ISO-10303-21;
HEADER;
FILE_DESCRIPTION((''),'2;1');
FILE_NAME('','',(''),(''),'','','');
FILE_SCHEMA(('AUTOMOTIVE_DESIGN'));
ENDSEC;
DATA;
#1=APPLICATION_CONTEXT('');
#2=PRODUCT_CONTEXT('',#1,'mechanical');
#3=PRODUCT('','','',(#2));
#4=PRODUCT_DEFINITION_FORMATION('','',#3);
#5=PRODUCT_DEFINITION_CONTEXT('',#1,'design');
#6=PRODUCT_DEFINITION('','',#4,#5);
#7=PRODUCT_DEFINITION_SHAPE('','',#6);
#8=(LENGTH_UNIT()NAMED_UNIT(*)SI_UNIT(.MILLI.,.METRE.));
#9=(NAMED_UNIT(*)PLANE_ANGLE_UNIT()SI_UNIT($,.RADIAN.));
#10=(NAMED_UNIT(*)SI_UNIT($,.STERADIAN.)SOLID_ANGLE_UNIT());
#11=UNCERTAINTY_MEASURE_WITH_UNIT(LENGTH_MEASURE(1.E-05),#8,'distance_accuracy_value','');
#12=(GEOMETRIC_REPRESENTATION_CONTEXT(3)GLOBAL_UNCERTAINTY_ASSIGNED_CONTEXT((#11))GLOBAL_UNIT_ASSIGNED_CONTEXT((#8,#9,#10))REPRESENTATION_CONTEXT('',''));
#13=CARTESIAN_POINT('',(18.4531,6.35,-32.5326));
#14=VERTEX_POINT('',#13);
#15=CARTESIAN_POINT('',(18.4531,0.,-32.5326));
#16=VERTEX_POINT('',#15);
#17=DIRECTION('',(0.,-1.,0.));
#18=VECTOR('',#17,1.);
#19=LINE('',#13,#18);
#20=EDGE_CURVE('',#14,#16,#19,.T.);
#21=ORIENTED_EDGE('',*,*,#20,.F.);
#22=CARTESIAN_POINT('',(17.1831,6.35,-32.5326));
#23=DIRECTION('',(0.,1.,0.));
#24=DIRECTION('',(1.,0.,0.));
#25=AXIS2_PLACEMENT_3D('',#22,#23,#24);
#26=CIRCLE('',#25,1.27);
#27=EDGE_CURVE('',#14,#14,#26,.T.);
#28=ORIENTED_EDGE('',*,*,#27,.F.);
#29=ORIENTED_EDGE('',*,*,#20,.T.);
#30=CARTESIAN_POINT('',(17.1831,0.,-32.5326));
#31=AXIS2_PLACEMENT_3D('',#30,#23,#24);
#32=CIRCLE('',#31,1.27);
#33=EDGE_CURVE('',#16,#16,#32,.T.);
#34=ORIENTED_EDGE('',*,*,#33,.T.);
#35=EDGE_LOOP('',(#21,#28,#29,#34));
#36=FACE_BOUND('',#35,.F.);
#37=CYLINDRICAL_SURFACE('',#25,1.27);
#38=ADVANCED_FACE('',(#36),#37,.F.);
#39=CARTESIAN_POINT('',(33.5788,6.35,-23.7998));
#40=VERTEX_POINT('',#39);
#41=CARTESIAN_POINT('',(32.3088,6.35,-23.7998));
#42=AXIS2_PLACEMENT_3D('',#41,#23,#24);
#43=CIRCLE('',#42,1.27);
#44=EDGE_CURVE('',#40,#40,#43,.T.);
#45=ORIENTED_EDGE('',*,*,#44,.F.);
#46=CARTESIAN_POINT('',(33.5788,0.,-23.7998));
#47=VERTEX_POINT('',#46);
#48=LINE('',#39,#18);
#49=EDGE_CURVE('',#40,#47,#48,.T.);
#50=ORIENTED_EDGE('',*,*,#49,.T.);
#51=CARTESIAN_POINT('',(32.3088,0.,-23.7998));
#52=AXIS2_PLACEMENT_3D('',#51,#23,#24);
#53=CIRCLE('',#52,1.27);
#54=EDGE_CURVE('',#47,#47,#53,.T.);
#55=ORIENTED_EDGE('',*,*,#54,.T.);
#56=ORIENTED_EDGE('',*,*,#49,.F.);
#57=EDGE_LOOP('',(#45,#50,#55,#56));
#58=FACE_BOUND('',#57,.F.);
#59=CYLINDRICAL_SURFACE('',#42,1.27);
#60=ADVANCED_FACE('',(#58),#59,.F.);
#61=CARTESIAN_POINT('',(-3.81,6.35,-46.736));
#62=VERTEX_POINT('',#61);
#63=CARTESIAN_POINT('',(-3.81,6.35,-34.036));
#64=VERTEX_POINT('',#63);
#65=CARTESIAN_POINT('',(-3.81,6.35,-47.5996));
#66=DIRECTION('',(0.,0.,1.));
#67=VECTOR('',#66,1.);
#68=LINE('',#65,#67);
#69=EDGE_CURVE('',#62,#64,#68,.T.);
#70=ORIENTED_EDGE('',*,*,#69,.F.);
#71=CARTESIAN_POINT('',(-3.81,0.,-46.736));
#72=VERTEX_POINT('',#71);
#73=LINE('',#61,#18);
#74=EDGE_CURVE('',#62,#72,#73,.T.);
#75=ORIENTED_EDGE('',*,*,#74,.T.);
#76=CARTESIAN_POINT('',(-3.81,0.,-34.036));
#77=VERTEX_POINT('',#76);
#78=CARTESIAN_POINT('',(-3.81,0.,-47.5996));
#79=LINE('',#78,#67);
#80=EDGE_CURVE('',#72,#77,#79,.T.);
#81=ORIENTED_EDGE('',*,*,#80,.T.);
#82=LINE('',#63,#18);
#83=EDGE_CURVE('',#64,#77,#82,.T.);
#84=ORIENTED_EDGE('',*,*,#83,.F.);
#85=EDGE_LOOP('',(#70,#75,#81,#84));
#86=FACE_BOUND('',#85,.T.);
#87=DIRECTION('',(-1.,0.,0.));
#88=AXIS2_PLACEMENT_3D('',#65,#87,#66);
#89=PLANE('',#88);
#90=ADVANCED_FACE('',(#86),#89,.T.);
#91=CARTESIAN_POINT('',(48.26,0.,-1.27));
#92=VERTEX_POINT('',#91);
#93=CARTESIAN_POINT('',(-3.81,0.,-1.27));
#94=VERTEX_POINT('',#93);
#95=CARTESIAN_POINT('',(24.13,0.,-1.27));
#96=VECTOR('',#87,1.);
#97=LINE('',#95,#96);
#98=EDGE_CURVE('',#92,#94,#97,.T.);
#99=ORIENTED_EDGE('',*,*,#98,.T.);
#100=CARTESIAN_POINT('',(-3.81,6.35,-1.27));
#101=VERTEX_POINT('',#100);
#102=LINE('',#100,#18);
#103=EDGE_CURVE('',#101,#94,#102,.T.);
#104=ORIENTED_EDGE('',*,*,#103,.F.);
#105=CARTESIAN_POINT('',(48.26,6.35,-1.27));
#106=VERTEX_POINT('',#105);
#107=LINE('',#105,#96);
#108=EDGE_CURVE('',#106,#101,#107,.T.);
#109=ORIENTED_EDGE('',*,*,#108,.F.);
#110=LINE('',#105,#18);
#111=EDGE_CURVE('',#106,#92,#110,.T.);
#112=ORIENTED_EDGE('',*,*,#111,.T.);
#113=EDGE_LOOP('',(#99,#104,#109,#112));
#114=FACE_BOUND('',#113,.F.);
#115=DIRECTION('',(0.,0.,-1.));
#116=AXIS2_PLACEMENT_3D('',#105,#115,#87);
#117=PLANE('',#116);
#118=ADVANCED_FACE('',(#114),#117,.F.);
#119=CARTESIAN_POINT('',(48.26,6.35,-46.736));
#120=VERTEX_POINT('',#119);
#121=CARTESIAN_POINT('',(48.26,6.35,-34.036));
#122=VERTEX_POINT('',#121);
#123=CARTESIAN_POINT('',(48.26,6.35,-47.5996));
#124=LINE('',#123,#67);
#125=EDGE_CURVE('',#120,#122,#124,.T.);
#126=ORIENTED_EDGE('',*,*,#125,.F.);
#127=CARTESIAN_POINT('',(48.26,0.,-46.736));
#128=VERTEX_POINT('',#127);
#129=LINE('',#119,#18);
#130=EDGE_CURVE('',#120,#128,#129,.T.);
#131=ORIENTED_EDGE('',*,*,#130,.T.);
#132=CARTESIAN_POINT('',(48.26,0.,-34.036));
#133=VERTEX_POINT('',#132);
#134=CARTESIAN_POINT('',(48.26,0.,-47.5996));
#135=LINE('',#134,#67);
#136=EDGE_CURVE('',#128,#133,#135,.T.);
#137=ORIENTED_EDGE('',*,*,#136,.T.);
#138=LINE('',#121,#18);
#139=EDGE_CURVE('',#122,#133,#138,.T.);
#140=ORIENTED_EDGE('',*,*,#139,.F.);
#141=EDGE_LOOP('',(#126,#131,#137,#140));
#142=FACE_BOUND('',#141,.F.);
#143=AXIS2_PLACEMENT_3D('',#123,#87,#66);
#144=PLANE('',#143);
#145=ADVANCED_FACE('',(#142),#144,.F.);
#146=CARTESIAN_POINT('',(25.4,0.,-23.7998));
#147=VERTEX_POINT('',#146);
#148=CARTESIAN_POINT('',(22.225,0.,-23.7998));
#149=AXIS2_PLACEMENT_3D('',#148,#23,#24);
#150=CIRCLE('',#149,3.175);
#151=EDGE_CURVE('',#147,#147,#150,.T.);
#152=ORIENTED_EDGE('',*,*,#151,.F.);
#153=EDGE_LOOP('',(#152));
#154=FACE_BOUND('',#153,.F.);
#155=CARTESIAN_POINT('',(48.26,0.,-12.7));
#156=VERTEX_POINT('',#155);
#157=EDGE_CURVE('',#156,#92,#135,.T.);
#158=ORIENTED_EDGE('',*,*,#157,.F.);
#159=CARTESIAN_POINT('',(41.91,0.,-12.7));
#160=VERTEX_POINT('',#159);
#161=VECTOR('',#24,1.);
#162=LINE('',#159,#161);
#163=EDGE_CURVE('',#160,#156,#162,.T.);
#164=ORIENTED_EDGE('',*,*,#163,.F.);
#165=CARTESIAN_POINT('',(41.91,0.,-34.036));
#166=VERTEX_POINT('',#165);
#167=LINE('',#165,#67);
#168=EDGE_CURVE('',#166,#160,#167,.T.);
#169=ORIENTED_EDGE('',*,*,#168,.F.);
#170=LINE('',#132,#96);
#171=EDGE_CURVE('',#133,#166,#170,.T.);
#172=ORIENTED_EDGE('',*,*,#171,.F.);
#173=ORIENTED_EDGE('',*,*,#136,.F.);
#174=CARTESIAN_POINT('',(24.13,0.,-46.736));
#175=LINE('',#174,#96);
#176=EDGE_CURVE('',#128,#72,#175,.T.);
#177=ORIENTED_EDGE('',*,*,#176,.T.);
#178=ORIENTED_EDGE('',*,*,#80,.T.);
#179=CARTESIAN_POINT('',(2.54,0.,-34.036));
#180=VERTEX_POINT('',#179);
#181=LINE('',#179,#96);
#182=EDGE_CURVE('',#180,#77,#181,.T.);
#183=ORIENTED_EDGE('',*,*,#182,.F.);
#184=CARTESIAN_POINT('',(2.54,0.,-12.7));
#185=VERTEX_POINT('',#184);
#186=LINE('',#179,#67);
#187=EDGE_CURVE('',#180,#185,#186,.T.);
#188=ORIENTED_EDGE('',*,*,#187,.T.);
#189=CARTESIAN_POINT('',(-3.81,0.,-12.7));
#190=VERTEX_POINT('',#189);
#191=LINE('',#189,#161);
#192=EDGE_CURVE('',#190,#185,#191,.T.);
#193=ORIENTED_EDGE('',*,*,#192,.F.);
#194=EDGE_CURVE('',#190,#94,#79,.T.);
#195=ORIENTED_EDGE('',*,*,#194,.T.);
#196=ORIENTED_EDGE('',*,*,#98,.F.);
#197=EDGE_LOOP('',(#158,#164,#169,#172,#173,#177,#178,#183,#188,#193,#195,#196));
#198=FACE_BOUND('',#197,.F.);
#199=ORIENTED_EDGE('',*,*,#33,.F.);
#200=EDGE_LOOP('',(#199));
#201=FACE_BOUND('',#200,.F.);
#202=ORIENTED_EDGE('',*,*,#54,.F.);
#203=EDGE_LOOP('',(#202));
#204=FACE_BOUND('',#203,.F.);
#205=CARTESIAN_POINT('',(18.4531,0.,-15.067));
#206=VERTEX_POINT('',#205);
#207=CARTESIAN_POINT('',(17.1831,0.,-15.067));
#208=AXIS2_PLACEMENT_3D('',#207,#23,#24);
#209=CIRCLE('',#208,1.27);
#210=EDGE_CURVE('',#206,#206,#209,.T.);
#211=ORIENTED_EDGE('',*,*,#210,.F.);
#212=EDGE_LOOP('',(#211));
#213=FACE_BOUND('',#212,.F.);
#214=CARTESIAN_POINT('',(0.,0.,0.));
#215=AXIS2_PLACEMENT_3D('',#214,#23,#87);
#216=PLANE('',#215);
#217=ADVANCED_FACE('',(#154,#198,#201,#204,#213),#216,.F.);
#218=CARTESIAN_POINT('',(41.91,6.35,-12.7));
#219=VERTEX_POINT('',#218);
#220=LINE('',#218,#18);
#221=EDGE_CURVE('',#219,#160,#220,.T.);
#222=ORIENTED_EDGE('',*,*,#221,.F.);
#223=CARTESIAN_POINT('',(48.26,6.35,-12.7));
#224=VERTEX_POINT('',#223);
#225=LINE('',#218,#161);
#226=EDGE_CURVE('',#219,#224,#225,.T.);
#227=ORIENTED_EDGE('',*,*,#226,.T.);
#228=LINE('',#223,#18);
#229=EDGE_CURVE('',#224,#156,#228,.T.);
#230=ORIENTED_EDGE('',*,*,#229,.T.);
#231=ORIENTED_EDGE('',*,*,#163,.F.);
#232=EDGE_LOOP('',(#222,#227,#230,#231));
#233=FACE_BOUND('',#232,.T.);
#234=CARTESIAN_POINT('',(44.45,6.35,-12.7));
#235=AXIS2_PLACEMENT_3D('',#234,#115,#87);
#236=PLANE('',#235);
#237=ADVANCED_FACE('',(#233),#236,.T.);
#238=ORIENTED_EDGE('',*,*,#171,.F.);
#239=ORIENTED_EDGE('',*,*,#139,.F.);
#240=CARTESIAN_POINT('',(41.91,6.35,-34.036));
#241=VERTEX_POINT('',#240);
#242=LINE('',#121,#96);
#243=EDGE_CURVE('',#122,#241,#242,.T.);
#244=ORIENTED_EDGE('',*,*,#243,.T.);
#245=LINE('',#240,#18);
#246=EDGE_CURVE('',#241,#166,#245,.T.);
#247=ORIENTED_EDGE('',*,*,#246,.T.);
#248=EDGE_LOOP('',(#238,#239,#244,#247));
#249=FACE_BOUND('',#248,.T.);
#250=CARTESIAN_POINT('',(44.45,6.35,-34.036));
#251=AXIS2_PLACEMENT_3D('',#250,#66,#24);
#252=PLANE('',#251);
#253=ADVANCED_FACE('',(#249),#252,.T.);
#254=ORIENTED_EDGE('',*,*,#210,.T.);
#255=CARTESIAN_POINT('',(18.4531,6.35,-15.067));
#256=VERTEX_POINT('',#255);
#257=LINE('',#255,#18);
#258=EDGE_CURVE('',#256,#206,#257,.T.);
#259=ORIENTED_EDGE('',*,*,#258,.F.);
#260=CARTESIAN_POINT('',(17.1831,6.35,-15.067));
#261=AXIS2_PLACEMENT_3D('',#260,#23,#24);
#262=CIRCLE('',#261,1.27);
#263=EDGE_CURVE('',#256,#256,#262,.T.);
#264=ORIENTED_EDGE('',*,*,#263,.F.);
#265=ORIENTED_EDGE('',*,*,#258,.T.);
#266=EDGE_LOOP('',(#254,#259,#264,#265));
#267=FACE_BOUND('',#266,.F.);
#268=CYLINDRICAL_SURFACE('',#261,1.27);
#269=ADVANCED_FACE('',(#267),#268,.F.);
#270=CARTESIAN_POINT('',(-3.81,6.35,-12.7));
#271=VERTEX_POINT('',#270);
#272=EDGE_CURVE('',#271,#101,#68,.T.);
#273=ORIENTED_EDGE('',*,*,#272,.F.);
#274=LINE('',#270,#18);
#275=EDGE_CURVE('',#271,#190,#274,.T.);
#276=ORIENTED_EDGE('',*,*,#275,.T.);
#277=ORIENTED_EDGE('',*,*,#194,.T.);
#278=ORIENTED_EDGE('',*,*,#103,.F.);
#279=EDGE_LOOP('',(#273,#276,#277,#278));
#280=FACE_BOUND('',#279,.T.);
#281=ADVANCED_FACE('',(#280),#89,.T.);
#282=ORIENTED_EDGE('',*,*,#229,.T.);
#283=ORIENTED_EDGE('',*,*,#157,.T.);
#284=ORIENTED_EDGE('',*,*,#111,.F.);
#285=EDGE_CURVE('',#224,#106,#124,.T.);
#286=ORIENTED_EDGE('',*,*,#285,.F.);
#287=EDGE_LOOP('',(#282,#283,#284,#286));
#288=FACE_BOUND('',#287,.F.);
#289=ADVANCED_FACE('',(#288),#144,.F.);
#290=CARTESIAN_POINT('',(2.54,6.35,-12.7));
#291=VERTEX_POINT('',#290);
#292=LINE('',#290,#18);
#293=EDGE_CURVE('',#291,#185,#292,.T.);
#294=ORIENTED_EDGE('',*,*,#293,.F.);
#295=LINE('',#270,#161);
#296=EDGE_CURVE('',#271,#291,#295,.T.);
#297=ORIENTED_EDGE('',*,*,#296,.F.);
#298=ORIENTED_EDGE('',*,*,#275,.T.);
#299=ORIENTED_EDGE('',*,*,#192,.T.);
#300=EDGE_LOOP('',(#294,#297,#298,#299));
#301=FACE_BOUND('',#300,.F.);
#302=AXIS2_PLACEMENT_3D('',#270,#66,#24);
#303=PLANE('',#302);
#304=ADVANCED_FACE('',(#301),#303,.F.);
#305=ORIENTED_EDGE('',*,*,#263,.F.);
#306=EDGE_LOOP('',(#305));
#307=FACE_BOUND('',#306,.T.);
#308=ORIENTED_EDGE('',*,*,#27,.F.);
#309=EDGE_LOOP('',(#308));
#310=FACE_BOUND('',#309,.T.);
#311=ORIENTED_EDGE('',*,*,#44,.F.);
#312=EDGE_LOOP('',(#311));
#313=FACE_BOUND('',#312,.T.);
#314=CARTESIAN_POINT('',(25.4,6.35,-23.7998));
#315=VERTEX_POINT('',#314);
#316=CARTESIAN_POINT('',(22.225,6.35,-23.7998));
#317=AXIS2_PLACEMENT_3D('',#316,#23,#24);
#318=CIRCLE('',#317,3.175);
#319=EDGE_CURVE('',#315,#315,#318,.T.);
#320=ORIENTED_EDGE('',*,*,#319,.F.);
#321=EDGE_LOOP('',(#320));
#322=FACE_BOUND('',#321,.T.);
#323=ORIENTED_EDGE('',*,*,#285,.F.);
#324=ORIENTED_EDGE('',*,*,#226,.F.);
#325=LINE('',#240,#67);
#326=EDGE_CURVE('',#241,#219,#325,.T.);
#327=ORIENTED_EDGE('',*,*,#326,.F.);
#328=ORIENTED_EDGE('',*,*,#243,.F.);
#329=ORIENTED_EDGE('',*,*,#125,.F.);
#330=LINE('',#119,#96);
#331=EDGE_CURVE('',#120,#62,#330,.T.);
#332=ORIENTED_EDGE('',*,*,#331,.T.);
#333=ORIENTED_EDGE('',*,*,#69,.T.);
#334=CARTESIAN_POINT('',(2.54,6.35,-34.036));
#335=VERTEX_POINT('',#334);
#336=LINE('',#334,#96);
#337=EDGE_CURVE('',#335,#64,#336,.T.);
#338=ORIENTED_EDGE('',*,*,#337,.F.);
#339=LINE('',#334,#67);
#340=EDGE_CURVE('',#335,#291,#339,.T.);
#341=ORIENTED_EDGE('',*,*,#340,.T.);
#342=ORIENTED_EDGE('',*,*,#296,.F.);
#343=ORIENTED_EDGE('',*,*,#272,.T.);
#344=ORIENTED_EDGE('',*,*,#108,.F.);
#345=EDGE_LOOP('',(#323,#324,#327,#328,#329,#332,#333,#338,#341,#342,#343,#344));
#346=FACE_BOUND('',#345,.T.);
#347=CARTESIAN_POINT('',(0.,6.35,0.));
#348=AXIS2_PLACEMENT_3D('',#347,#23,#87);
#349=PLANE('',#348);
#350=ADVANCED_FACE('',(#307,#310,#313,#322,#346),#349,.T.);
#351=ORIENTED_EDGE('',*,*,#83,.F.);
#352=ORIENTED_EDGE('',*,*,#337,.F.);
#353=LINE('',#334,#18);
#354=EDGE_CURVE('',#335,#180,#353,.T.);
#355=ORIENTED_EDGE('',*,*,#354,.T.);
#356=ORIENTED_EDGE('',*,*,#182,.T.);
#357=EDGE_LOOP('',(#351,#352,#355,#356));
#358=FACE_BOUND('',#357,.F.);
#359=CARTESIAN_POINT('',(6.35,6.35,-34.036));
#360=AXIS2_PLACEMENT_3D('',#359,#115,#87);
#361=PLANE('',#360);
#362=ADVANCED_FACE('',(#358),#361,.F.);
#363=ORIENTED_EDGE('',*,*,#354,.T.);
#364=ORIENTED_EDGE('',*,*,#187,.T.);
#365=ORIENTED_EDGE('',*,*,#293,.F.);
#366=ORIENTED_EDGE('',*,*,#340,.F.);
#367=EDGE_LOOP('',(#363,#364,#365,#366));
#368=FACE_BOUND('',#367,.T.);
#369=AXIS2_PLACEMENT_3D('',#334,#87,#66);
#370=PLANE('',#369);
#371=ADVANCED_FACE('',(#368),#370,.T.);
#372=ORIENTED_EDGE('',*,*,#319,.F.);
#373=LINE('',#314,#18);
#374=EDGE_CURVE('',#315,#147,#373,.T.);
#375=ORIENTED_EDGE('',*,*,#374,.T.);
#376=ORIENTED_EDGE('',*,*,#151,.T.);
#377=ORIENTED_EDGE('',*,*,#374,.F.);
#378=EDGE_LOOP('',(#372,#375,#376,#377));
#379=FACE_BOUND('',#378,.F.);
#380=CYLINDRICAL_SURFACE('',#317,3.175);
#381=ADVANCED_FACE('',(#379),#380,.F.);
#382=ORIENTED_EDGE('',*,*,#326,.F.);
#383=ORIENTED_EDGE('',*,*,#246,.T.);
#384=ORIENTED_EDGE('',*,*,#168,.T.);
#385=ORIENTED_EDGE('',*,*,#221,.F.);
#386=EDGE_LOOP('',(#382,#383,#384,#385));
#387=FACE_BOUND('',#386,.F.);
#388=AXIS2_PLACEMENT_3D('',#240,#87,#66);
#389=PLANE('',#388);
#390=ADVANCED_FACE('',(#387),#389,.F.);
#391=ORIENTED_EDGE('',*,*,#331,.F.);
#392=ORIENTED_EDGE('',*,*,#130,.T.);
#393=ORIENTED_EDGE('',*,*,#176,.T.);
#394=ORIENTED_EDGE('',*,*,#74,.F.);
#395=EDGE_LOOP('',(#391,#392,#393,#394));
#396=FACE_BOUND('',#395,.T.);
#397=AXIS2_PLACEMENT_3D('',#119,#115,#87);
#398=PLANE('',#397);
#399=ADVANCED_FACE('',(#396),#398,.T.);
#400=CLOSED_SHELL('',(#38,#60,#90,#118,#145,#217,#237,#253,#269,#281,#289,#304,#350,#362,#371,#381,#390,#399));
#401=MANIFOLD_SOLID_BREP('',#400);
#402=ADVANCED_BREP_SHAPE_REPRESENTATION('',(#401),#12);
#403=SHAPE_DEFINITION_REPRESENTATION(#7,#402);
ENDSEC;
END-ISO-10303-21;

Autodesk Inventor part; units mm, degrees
ref_plane "YZ Plane" through (0, 0, 0) normal (1, 0, 0) x (0, 1, 0)
ref_plane "XZ Plane" through (0, 0, 0) normal (0, 1, 0) x (-1, 0, 0)
ref_plane "XY Plane" through (0, 0, 0) normal (0, 0, 1) x (1, 0, 0)
sketch "Sketch1" plane through (0, 0, 0) normal (0, 1, 0) x (-1, 0, 0)
  line L0 (0, 0) -> (-44.45, 0)
  line L1 (-44.45, 0) -> (-44.45, -47.5996)
  line L2 (-44.45, -47.5996) -> (0, -47.5996)
  line L3 (0, -47.5996) -> (0, 0)
  dimension "d0" = 44.45
  dimension "d1" = 47.5996
extrude "Extrusion1" add sketch "Sketch1" along normal blind 6.35
sketch "Sketch2" plane through (0, 6.35, 0) normal (0, 1, 0) x (1, 0, 0)
  line L0 (0, 47.5996) -> (0, 0) projected
  line L1 (0, 12.7) -> (6.35, 12.7)
  line L2 (6.35, 12.7) -> (6.35, 34.036)
  line L3 (6.35, 34.036) -> (0, 34.036)
  line L4 (0, 34.036) -> (0, 12.7)
  line L5 (44.45, 0) -> (44.45, 47.5996) projected
  line L6 (44.45, 12.7) -> (38.1, 12.7)
  line L7 (38.1, 12.7) -> (38.1, 34.036)
  line L8 (38.1, 34.036) -> (44.45, 34.036)
  line L9 (44.45, 34.036) -> (44.45, 12.7)
  dimension "d4" = 6.35
  dimension "d5" = 21.336
  dimension "d6" = 6.35
extrude "Extrusion2" cut sketch "Sketch2" against normal blind 6.35
sketch "Sketch3" plane through (0, 6.35, 0) normal (0, 1, 0) x (1, 0, 0)
  circle A0 centre (22.225, 23.7998) radius 3.175
  circle A1 centre (32.3088, 23.7998) radius 1.27
  circle A2 centre (17.1831, 32.5326) radius 1.27
  circle A3 centre (17.1831, 15.067) radius 1.27
  point P0 (0, 0)
  dimension "d9" = 6.35
  dimension "d10" = 2.54
  dimension "d13" = 360
extrude "Extrusion3" cut sketch "Sketch3" against normal blind 6.35
sketch "Sketch4" plane through (0, 6.35, 0) normal (0, 1, 0) x (1, 0, 0)
  line L0 (44.45, 47.5996) -> (48.26, 47.5996)
  line L1 (48.26, 47.5996) -> (48.26, 0)
  line L2 (48.26, 0) -> (44.45, 0)
  line L3 (44.45, 0) -> (44.45, 47.5996)
  line L4 (0, 47.5996) -> (-3.81, 47.5996)
  line L5 (-3.81, 47.5996) -> (-3.81, 0)
  line L6 (-3.81, 0) -> (0, 0)
  line L7 (0, 0) -> (0, 47.5996)
  line L8 (0, 12.7) -> (6.35, 12.7) projected
  line L9 (6.35, 34.036) -> (2.54, 34.036)
  line L10 (2.54, 34.036) -> (2.54, 12.7)
  line L11 (2.54, 12.7) -> (6.35, 12.7)
  line L12 (6.35, 12.7) -> (6.35, 34.036)
  line L13 (44.45, 12.7) -> (38.1, 12.7) projected
  line L14 (38.1, 34.036) -> (41.91, 34.036)
  line L15 (41.91, 34.036) -> (41.91, 12.7)
  line L16 (41.91, 12.7) -> (38.1, 12.7)
  line L17 (38.1, 12.7) -> (38.1, 34.036)
  point P0 (0, 0)
  dimension "d17" = 3.81
  dimension "d18" = 3.81
  dimension "d19" = 3.81
  dimension "d20" = 3.81
extrude "Extrusion4" add sketch "Sketch4" against normal blind 6.35
sketch "Sketch5" plane through (0, 6.35, 0) normal (0, 1, 0) x (1, 0, 0)
  line L0 (-3.81, 0) -> (-3.81, 47.5996) projected
  line L1 (0, 34.036) -> (-3.81, 34.036)
  line L2 (-3.81, 34.036) -> (-3.81, 12.7)
  line L3 (-3.81, 12.7) -> (0, 12.7)
  line L4 (0, 12.7) -> (0, 34.036)
  line L5 (48.26, 47.5996) -> (48.26, 0) projected
  line L6 (44.45, 34.036) -> (48.26, 34.036)
  line L7 (48.26, 34.036) -> (48.26, 12.7)
  line L8 (48.26, 12.7) -> (44.45, 12.7)
  line L9 (44.45, 12.7) -> (44.45, 34.036)
  point P0 (0, 0)
extrude "Extrusion5" cut sketch "Sketch5" against normal blind 6.35
sketch "Sketch6" plane through (0, 6.35, 0) normal (0, 1, 0) x (1, 0, 0)
  line L0 (48.26, 12.7) -> (48.26, 0) projected
  line L1 (-3.81, 0) -> (48.26, 0)
  line L2 (48.26, 0) -> (48.26, 1.27)
  line L3 (48.26, 1.27) -> (-3.81, 1.27)
  line L4 (-3.81, 1.27) -> (-3.81, 0)
  line L5 (48.26, 47.5996) -> (48.26, 34.036) projected
  line L6 (-3.81, 47.5996) -> (48.26, 47.5996)
  line L7 (48.26, 47.5996) -> (48.26, 46.736)
  line L8 (48.26, 46.736) -> (-3.81, 46.736)
  line L9 (-3.81, 46.736) -> (-3.81, 47.5996)
  point P0 (0, 0)
  dimension "d25" = 1.27
  dimension "d26" = 0.8636
extrude "Extrusion6" cut sketch "Sketch6" against normal blind 25.4
properties part number "motor holder"
